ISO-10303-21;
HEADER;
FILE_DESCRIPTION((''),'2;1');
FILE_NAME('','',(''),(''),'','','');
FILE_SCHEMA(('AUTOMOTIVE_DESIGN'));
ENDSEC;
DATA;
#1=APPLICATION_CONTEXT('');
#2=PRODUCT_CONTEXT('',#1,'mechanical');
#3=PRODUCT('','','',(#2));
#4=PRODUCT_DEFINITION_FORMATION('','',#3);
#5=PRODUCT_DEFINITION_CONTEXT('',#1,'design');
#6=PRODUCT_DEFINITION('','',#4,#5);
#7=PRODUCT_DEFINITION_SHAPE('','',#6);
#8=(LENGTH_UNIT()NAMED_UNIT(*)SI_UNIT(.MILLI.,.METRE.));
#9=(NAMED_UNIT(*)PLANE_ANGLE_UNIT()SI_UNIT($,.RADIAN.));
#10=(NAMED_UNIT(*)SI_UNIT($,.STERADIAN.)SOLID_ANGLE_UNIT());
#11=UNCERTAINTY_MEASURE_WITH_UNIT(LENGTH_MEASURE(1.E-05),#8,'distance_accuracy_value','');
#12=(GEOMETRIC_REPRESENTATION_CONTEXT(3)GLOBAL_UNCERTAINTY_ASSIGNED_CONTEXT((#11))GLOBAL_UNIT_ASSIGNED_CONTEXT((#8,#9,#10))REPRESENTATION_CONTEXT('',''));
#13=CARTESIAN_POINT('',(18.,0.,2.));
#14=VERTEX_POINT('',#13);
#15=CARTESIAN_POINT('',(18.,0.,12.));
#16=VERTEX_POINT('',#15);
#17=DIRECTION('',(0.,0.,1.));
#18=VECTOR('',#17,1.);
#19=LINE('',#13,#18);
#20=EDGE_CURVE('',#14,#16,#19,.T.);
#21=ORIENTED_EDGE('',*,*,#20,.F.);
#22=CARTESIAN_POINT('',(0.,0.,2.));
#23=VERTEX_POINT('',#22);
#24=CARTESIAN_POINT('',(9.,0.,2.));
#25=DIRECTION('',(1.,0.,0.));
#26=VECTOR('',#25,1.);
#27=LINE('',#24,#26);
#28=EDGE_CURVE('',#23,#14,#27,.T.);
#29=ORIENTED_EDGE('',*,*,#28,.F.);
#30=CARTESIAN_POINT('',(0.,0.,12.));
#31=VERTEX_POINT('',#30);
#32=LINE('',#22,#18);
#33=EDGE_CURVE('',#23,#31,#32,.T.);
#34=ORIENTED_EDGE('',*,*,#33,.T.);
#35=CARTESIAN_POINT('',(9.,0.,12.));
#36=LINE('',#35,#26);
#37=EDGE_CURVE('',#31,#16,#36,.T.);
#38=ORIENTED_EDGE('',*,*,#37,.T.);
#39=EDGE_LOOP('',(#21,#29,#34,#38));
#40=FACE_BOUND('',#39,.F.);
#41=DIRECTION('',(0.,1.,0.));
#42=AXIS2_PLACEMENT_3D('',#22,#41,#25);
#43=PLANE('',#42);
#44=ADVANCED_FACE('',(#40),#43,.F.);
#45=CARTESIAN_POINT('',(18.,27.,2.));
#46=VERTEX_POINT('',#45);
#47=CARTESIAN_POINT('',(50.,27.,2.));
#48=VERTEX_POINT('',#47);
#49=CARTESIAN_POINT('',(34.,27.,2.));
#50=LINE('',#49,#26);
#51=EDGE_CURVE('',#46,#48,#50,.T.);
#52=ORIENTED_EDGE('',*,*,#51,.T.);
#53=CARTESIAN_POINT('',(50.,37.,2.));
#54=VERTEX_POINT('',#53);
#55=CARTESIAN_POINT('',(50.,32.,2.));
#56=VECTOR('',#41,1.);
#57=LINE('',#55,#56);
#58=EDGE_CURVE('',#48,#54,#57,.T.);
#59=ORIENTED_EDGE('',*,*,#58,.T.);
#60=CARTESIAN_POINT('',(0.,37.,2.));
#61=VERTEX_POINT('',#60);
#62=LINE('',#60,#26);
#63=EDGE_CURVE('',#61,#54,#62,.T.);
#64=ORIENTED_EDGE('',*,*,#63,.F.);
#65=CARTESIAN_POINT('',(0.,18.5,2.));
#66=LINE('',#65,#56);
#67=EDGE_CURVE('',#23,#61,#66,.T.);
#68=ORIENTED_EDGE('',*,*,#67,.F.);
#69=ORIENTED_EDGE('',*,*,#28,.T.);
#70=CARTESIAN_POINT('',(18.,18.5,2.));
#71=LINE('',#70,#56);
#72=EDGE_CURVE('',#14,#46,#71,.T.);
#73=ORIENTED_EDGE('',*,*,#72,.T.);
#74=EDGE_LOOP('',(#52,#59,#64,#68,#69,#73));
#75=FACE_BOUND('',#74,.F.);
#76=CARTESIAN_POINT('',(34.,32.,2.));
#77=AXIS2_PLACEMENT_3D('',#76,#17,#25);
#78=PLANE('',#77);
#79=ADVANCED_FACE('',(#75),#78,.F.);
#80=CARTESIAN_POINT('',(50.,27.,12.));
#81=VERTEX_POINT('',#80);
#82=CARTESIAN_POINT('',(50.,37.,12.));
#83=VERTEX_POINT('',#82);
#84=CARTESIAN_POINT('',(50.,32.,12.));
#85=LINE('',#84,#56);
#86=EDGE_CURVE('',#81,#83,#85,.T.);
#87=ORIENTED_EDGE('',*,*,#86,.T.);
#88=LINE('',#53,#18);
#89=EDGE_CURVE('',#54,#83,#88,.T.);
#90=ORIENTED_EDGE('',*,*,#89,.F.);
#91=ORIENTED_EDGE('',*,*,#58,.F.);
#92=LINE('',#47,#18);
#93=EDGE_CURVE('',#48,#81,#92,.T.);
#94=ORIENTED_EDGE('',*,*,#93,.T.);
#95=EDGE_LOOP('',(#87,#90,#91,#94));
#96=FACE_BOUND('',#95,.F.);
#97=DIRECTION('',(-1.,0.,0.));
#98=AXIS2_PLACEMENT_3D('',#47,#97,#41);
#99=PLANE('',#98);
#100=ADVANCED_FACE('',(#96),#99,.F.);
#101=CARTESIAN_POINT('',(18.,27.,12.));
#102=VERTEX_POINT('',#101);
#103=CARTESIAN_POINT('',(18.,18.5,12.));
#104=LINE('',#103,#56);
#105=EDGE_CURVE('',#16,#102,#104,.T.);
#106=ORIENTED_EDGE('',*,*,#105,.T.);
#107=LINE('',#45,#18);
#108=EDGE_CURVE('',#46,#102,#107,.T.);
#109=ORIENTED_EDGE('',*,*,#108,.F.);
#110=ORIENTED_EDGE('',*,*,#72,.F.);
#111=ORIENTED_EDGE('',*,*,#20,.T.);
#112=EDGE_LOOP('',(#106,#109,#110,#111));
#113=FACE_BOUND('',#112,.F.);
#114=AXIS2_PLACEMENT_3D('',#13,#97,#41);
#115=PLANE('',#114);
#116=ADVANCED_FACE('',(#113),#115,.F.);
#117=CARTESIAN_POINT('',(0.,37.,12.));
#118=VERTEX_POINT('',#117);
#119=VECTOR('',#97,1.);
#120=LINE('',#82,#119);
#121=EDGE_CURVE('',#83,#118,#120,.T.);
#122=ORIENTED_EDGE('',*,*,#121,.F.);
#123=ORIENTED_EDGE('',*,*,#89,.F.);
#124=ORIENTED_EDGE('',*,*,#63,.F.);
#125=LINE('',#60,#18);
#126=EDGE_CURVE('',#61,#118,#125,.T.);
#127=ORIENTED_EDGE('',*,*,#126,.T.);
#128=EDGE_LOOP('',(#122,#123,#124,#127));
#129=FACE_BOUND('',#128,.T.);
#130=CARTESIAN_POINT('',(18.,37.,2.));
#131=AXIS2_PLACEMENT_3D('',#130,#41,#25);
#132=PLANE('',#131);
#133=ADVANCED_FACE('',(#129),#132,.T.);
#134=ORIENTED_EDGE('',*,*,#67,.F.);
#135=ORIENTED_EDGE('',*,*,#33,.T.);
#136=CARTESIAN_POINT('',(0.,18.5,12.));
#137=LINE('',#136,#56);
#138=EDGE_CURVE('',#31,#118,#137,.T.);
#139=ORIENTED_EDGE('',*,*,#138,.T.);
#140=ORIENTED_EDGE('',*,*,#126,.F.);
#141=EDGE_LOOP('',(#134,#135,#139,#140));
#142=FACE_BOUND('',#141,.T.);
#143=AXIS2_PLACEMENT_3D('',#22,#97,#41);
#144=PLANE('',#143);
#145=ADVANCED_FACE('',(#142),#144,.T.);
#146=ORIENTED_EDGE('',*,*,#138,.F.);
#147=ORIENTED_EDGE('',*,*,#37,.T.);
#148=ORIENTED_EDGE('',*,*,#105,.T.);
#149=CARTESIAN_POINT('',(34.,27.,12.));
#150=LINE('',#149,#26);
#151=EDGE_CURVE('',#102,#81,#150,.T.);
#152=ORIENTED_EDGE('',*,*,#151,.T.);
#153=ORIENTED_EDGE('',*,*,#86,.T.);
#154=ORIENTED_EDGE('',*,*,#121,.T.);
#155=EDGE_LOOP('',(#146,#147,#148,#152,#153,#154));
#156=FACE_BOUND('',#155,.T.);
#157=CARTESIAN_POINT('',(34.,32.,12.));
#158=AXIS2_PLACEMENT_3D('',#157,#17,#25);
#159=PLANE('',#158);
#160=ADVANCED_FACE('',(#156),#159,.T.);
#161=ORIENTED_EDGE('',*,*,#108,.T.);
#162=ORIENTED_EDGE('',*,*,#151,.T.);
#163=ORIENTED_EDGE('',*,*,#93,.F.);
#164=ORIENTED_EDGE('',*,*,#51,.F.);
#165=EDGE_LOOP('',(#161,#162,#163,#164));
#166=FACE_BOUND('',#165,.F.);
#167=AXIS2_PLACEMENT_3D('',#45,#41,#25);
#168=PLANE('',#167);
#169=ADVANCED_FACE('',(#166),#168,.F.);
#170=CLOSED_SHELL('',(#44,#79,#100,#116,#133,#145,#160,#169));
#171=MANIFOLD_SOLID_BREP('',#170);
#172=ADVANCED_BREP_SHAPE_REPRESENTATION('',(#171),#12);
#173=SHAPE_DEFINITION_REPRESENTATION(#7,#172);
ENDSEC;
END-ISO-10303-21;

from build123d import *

# Parameters (mm, degrees)
BOX001_W     = 32
BOX001_H     = 10
BOX001_DEPTH = 10
BOX_W        = 18
BOX_H        = 37
BOX_DEPTH    = 10


with BuildPart() as cubo001:
    # Box001 → Box001 (new body)
    with BuildSketch(Plane(origin=(18, 27, 0), x_dir=(1, 0, 0), z_dir=(0, 0, 1))):
        with Locations((16, 5)):
            Rectangle(BOX001_W, BOX001_H)
    extrude(amount=BOX001_DEPTH)


with BuildPart() as base:
    # Box → Box (new body)
    with BuildSketch(Plane.XY):
        with Locations((9, 18.5)):
            Rectangle(BOX_W, BOX_H)
    extrude(amount=BOX_DEPTH)

    # Fusion: union Cubo001
    add(cubo001.part)


with BuildPart() as base_1:
    # Fusion placement: moved
    add(base.part.moved(Location((0, 0, 2))))


solid = base_1.part
